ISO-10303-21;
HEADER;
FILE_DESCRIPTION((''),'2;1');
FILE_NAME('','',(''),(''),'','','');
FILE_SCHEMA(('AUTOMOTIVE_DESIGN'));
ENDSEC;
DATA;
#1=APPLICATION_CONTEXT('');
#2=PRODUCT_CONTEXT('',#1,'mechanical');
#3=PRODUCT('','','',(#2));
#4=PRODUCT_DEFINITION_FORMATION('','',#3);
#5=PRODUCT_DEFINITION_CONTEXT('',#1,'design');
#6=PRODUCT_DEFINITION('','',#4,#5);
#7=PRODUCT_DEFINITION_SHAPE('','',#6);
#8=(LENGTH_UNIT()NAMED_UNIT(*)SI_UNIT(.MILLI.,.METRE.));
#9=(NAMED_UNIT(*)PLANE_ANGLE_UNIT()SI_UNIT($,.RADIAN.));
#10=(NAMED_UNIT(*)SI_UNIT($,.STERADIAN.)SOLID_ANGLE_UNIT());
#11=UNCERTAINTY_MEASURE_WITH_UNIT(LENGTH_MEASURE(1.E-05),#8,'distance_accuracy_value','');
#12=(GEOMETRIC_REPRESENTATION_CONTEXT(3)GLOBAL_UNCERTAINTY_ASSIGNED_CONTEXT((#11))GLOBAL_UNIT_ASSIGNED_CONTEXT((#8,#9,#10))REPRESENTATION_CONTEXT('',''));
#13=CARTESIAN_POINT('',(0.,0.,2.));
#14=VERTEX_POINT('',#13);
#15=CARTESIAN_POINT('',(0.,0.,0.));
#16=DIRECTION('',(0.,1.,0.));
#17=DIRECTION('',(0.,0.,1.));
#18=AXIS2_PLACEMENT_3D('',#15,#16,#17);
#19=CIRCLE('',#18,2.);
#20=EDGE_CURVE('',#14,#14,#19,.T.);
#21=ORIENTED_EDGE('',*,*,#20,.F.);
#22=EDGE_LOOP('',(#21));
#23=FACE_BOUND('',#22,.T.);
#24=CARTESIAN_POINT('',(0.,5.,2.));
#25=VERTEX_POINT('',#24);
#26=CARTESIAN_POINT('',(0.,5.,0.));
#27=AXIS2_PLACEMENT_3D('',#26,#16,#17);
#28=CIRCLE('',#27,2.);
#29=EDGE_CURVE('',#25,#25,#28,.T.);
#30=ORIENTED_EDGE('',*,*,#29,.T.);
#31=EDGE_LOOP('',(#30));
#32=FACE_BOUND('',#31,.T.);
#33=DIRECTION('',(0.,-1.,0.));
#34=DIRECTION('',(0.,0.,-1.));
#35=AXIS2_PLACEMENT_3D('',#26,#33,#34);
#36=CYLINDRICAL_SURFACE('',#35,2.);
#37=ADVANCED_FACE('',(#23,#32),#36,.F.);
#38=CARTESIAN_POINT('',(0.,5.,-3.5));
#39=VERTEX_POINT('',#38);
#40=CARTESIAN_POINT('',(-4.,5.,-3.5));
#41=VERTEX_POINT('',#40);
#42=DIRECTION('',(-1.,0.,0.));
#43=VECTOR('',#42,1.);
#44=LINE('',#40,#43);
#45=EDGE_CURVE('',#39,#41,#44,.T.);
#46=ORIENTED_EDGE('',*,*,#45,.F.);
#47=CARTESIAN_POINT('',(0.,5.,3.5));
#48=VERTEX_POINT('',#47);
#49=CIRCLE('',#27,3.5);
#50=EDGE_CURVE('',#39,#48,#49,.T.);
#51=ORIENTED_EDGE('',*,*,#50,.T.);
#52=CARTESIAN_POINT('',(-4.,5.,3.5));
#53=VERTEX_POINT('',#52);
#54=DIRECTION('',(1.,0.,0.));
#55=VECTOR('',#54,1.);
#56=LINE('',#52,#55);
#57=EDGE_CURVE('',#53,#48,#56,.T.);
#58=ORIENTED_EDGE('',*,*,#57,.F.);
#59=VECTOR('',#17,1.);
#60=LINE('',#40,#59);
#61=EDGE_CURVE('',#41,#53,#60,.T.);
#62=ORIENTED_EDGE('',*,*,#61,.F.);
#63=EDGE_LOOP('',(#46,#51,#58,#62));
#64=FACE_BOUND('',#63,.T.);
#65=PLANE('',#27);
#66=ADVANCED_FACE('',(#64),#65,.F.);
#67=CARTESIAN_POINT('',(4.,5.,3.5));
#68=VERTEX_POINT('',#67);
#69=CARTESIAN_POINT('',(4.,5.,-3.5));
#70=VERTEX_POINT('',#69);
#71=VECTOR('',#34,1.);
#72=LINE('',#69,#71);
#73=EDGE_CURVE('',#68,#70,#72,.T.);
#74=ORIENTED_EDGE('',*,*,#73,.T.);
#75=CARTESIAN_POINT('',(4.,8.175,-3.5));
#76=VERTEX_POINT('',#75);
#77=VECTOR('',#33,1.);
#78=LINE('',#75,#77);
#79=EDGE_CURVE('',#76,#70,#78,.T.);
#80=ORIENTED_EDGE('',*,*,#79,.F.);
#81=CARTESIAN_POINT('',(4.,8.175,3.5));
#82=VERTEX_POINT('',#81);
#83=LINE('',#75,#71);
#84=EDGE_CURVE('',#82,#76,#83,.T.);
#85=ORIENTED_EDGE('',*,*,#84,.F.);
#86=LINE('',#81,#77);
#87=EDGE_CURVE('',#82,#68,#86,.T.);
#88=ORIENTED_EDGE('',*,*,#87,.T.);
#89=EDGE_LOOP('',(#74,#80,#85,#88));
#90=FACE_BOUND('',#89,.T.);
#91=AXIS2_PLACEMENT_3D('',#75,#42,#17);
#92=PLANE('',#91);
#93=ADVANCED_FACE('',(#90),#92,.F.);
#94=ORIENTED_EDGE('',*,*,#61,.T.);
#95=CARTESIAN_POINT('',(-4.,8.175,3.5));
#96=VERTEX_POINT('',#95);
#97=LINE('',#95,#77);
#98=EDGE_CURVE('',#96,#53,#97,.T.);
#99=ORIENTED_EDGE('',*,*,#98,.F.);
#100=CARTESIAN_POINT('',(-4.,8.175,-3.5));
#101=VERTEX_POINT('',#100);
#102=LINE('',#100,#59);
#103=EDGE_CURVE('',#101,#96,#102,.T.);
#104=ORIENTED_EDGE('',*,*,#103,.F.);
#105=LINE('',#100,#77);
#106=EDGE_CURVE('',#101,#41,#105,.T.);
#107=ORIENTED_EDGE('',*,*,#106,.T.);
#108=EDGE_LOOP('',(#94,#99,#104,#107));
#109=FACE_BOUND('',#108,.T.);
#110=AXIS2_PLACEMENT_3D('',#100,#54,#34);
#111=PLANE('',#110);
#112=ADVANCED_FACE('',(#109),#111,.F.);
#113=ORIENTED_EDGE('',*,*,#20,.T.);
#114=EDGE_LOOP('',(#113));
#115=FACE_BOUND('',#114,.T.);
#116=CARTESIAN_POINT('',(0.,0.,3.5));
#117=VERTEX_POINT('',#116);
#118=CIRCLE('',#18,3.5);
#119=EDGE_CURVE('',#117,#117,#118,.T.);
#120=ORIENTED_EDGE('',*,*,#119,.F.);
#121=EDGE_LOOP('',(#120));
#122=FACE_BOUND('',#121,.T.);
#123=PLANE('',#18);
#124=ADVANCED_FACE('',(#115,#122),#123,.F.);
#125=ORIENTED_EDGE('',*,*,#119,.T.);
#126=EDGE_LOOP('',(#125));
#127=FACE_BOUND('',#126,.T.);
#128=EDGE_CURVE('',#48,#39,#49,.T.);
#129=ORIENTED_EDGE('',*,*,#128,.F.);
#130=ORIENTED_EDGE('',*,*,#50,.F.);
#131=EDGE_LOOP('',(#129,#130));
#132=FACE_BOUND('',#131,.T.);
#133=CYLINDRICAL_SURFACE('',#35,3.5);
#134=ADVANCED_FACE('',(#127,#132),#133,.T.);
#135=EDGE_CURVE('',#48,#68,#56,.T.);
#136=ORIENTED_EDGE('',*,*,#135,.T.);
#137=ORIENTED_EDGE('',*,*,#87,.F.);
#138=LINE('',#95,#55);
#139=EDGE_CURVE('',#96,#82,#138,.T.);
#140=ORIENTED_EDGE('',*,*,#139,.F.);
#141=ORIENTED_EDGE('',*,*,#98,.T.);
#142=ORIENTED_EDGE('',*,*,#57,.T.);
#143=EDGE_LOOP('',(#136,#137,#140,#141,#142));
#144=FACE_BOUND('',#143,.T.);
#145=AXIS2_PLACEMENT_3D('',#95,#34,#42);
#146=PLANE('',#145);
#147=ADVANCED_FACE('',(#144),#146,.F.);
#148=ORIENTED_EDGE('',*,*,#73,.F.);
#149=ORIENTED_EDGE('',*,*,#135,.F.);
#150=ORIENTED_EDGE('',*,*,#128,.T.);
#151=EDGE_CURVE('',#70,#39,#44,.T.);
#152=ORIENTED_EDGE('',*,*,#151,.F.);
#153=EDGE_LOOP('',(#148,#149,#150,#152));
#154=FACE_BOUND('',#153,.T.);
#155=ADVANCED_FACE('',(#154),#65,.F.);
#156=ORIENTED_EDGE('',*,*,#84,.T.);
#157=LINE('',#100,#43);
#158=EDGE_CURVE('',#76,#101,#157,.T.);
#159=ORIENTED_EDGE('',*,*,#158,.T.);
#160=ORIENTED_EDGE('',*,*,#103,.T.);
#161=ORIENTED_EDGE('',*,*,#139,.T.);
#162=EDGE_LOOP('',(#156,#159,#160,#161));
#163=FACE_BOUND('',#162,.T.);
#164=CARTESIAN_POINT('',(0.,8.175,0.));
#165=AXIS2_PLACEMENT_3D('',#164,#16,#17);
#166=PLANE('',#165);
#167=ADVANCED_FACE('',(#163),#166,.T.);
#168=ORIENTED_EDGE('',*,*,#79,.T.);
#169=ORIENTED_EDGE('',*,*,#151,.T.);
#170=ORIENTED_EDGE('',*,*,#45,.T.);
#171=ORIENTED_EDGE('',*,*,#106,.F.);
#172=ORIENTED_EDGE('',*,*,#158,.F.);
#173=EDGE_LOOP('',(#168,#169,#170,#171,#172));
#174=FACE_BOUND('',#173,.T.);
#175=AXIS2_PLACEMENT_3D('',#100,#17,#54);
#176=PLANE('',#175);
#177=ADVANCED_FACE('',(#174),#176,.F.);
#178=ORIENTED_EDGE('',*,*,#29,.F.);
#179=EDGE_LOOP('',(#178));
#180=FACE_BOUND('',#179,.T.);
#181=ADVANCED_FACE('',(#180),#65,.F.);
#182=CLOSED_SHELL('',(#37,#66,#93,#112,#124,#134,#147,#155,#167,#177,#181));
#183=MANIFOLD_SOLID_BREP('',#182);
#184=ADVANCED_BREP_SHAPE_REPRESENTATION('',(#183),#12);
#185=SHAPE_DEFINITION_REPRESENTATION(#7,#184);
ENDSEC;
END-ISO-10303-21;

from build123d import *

# Parameters (mm, degrees)
SKETCH1_R           = 3.5
SKETCH1_R_2         = 2
BOSS_EXTRUDE1_DEPTH = 5
SKETCH2_W           = 8
SKETCH2_H           = 7
BOSS_EXTRUDE2_DEPTH = 3.175


with BuildPart() as part:
    # Sketch1 → Boss-Extrude1 (new body)
    with BuildSketch(Plane(origin=(0, 0, 0), x_dir=(1, 0, 0), z_dir=(0, 1, 0))):
        Circle(SKETCH1_R)
        Circle(SKETCH1_R_2, mode=Mode.SUBTRACT)
    extrude(amount=BOSS_EXTRUDE1_DEPTH)

    # Sketch2 → Boss-Extrude2 (add)
    with BuildSketch(Plane(origin=(0, 5, 0), x_dir=(1, 0, 0), z_dir=(0, 1, 0))):
        Rectangle(SKETCH2_W, SKETCH2_H)
    extrude(amount=BOSS_EXTRUDE2_DEPTH)


solid = part.part
